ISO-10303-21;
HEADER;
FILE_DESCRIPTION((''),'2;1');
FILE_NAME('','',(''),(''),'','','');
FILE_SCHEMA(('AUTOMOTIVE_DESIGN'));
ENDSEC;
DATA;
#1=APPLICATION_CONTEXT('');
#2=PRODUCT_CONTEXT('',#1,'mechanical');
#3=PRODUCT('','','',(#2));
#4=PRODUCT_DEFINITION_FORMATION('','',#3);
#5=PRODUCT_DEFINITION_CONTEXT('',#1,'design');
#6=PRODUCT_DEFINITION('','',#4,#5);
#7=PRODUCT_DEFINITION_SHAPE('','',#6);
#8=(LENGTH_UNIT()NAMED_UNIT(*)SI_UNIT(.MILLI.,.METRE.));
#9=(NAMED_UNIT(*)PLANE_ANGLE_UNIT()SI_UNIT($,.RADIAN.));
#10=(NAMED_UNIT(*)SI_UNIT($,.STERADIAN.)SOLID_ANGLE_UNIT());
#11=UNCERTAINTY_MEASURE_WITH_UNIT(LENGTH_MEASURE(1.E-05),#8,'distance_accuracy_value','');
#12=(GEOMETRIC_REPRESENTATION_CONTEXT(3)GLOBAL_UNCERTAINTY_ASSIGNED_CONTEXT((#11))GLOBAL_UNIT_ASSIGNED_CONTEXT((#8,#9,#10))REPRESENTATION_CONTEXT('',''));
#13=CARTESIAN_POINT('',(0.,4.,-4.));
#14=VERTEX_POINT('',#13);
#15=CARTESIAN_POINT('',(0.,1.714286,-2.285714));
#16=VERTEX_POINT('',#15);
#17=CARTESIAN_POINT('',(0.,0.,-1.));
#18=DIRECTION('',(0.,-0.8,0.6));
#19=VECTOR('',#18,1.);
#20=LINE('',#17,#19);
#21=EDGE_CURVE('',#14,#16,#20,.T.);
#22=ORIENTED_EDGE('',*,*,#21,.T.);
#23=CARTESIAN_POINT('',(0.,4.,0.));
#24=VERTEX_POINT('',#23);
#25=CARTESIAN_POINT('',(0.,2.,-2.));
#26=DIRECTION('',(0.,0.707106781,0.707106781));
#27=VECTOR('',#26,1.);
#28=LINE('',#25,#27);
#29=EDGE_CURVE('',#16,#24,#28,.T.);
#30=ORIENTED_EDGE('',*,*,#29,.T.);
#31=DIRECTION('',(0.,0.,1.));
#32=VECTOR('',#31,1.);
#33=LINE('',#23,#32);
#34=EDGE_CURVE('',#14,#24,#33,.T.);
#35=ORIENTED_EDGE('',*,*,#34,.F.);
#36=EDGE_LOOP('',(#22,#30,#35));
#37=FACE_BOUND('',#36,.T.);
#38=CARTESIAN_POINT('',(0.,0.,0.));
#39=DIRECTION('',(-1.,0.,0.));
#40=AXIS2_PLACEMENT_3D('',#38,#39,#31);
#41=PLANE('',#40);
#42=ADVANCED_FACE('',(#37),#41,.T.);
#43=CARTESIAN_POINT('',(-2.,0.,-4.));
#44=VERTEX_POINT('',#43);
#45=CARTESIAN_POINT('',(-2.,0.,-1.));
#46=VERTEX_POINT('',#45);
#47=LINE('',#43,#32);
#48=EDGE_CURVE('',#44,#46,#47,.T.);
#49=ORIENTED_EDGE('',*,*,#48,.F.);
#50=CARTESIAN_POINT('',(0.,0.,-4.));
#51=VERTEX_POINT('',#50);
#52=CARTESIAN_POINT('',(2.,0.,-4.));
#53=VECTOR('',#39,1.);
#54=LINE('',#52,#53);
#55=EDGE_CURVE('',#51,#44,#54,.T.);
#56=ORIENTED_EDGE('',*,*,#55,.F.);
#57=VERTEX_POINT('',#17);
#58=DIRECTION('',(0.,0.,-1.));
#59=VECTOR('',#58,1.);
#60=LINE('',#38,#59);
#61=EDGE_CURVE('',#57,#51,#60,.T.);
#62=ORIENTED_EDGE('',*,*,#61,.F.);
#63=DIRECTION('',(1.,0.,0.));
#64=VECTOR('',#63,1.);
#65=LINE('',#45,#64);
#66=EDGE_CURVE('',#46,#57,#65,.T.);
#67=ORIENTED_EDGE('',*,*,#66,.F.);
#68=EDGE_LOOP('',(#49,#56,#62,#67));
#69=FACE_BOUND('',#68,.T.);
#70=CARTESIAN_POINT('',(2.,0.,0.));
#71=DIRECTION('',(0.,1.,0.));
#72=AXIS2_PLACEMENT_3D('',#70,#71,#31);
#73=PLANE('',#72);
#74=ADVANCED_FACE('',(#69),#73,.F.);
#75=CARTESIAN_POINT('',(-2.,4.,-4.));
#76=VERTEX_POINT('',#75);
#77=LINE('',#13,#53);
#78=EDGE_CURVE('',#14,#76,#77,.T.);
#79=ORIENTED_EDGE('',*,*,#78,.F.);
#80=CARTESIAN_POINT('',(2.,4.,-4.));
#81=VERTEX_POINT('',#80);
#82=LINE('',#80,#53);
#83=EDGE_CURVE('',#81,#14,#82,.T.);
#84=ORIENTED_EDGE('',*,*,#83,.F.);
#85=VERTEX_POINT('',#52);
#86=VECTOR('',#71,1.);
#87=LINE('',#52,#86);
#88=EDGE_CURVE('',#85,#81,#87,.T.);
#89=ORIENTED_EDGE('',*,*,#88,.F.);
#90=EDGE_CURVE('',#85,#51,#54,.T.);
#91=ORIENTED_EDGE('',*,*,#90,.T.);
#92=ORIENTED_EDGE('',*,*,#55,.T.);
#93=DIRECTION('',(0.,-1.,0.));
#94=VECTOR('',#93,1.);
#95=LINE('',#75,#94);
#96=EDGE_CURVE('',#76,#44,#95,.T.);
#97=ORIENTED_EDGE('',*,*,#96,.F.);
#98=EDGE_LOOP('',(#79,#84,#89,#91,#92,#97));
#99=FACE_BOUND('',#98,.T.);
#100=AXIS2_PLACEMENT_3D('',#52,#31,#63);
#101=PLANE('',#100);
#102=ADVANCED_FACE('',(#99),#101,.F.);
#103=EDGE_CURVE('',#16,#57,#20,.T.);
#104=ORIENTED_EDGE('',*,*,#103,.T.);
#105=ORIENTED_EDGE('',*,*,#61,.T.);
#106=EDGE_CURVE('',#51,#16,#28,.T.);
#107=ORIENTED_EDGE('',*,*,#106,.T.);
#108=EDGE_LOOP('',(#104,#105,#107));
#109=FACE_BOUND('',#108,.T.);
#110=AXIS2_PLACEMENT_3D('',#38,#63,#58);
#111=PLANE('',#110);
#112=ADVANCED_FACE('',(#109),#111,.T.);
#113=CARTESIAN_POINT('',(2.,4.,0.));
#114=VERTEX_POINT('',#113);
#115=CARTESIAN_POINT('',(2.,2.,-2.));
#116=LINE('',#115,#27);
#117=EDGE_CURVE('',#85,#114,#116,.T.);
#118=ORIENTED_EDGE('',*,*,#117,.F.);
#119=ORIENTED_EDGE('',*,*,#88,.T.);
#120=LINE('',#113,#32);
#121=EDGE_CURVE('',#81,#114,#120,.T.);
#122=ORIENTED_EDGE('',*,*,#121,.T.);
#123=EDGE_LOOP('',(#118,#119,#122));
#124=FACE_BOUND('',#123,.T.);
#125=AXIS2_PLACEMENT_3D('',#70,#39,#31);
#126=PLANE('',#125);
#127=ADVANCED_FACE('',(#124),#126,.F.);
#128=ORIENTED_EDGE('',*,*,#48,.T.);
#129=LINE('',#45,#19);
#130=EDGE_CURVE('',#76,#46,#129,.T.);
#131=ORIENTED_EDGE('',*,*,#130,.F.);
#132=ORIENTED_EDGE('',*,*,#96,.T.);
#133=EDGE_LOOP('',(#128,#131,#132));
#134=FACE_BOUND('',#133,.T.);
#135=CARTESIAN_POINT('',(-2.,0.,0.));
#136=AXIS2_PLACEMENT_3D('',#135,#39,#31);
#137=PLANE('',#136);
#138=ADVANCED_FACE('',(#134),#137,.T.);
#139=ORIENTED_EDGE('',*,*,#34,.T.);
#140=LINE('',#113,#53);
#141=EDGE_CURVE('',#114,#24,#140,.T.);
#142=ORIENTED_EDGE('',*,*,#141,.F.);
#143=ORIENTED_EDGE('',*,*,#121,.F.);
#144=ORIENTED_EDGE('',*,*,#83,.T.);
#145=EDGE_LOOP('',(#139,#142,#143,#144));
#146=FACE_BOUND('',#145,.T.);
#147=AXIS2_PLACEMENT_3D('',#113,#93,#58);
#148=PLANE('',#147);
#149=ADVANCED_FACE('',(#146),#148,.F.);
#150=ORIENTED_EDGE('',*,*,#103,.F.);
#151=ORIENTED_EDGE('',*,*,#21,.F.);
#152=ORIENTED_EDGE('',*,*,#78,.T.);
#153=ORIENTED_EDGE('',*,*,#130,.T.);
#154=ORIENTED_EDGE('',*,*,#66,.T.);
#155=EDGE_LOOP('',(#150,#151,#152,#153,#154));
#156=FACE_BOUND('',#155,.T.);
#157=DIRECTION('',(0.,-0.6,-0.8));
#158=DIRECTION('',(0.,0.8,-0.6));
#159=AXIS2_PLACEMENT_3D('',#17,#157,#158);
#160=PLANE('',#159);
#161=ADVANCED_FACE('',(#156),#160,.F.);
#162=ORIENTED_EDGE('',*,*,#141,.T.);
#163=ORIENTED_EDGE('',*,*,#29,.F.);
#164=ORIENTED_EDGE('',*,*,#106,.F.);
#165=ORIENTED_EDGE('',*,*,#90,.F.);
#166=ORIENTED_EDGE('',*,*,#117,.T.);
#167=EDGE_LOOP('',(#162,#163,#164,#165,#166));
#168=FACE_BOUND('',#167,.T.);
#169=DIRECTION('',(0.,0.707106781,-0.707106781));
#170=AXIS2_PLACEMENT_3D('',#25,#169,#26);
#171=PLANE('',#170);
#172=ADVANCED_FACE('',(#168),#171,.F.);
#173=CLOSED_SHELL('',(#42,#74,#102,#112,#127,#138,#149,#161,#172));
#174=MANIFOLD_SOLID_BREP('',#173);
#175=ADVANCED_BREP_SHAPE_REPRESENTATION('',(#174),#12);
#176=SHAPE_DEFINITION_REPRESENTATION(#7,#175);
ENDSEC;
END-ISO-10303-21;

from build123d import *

# Parameters (mm, degrees)
SKETCH1_W           = 4
SKETCH1_H           = 4
BOSS_EXTRUDE1_DEPTH = 2
SKETCH2_W           = 3
SKETCH2_H           = 4
BOSS_EXTRUDE2_DEPTH = 2
CUT_EXTRUDE1_DEPTH  = 2
CUT_EXTRUDE2_DEPTH  = 2


with BuildPart() as part:
    # Sketch1 → Boss-Extrude1 (new body)
    with BuildSketch(Plane(origin=(0, 0, 0), x_dir=(0, 0, -1), z_dir=(1, 0, 0))):
        with Locations((2, 2)):
            Rectangle(SKETCH1_W, SKETCH1_H)
    extrude(amount=BOSS_EXTRUDE1_DEPTH)

    # Sketch2 → Boss-Extrude2 (add)
    with BuildSketch(Plane.ZY):
        with Locations((-2.5, 2)):
            Rectangle(SKETCH2_W, SKETCH2_H)
    extrude(amount=BOSS_EXTRUDE2_DEPTH)

    # Sketch3 → Cut-Extrude1 (cut)
    with BuildSketch(Plane(origin=(2, 0, 0), x_dir=(0, 0, -1), z_dir=(1, 0, 0))):
        Polygon((4, 0), (0, 4), (0, 0), align=None)
    extrude(amount=-CUT_EXTRUDE1_DEPTH, mode=Mode.SUBTRACT)

    # Sketch4 → Cut-Extrude2 (cut)
    with BuildSketch(Plane.ZY.offset(2)):
        Polygon((-1, 0), (-4, 4), (-1, 4), align=None)
    extrude(amount=-CUT_EXTRUDE2_DEPTH, mode=Mode.SUBTRACT)


solid = part.part
